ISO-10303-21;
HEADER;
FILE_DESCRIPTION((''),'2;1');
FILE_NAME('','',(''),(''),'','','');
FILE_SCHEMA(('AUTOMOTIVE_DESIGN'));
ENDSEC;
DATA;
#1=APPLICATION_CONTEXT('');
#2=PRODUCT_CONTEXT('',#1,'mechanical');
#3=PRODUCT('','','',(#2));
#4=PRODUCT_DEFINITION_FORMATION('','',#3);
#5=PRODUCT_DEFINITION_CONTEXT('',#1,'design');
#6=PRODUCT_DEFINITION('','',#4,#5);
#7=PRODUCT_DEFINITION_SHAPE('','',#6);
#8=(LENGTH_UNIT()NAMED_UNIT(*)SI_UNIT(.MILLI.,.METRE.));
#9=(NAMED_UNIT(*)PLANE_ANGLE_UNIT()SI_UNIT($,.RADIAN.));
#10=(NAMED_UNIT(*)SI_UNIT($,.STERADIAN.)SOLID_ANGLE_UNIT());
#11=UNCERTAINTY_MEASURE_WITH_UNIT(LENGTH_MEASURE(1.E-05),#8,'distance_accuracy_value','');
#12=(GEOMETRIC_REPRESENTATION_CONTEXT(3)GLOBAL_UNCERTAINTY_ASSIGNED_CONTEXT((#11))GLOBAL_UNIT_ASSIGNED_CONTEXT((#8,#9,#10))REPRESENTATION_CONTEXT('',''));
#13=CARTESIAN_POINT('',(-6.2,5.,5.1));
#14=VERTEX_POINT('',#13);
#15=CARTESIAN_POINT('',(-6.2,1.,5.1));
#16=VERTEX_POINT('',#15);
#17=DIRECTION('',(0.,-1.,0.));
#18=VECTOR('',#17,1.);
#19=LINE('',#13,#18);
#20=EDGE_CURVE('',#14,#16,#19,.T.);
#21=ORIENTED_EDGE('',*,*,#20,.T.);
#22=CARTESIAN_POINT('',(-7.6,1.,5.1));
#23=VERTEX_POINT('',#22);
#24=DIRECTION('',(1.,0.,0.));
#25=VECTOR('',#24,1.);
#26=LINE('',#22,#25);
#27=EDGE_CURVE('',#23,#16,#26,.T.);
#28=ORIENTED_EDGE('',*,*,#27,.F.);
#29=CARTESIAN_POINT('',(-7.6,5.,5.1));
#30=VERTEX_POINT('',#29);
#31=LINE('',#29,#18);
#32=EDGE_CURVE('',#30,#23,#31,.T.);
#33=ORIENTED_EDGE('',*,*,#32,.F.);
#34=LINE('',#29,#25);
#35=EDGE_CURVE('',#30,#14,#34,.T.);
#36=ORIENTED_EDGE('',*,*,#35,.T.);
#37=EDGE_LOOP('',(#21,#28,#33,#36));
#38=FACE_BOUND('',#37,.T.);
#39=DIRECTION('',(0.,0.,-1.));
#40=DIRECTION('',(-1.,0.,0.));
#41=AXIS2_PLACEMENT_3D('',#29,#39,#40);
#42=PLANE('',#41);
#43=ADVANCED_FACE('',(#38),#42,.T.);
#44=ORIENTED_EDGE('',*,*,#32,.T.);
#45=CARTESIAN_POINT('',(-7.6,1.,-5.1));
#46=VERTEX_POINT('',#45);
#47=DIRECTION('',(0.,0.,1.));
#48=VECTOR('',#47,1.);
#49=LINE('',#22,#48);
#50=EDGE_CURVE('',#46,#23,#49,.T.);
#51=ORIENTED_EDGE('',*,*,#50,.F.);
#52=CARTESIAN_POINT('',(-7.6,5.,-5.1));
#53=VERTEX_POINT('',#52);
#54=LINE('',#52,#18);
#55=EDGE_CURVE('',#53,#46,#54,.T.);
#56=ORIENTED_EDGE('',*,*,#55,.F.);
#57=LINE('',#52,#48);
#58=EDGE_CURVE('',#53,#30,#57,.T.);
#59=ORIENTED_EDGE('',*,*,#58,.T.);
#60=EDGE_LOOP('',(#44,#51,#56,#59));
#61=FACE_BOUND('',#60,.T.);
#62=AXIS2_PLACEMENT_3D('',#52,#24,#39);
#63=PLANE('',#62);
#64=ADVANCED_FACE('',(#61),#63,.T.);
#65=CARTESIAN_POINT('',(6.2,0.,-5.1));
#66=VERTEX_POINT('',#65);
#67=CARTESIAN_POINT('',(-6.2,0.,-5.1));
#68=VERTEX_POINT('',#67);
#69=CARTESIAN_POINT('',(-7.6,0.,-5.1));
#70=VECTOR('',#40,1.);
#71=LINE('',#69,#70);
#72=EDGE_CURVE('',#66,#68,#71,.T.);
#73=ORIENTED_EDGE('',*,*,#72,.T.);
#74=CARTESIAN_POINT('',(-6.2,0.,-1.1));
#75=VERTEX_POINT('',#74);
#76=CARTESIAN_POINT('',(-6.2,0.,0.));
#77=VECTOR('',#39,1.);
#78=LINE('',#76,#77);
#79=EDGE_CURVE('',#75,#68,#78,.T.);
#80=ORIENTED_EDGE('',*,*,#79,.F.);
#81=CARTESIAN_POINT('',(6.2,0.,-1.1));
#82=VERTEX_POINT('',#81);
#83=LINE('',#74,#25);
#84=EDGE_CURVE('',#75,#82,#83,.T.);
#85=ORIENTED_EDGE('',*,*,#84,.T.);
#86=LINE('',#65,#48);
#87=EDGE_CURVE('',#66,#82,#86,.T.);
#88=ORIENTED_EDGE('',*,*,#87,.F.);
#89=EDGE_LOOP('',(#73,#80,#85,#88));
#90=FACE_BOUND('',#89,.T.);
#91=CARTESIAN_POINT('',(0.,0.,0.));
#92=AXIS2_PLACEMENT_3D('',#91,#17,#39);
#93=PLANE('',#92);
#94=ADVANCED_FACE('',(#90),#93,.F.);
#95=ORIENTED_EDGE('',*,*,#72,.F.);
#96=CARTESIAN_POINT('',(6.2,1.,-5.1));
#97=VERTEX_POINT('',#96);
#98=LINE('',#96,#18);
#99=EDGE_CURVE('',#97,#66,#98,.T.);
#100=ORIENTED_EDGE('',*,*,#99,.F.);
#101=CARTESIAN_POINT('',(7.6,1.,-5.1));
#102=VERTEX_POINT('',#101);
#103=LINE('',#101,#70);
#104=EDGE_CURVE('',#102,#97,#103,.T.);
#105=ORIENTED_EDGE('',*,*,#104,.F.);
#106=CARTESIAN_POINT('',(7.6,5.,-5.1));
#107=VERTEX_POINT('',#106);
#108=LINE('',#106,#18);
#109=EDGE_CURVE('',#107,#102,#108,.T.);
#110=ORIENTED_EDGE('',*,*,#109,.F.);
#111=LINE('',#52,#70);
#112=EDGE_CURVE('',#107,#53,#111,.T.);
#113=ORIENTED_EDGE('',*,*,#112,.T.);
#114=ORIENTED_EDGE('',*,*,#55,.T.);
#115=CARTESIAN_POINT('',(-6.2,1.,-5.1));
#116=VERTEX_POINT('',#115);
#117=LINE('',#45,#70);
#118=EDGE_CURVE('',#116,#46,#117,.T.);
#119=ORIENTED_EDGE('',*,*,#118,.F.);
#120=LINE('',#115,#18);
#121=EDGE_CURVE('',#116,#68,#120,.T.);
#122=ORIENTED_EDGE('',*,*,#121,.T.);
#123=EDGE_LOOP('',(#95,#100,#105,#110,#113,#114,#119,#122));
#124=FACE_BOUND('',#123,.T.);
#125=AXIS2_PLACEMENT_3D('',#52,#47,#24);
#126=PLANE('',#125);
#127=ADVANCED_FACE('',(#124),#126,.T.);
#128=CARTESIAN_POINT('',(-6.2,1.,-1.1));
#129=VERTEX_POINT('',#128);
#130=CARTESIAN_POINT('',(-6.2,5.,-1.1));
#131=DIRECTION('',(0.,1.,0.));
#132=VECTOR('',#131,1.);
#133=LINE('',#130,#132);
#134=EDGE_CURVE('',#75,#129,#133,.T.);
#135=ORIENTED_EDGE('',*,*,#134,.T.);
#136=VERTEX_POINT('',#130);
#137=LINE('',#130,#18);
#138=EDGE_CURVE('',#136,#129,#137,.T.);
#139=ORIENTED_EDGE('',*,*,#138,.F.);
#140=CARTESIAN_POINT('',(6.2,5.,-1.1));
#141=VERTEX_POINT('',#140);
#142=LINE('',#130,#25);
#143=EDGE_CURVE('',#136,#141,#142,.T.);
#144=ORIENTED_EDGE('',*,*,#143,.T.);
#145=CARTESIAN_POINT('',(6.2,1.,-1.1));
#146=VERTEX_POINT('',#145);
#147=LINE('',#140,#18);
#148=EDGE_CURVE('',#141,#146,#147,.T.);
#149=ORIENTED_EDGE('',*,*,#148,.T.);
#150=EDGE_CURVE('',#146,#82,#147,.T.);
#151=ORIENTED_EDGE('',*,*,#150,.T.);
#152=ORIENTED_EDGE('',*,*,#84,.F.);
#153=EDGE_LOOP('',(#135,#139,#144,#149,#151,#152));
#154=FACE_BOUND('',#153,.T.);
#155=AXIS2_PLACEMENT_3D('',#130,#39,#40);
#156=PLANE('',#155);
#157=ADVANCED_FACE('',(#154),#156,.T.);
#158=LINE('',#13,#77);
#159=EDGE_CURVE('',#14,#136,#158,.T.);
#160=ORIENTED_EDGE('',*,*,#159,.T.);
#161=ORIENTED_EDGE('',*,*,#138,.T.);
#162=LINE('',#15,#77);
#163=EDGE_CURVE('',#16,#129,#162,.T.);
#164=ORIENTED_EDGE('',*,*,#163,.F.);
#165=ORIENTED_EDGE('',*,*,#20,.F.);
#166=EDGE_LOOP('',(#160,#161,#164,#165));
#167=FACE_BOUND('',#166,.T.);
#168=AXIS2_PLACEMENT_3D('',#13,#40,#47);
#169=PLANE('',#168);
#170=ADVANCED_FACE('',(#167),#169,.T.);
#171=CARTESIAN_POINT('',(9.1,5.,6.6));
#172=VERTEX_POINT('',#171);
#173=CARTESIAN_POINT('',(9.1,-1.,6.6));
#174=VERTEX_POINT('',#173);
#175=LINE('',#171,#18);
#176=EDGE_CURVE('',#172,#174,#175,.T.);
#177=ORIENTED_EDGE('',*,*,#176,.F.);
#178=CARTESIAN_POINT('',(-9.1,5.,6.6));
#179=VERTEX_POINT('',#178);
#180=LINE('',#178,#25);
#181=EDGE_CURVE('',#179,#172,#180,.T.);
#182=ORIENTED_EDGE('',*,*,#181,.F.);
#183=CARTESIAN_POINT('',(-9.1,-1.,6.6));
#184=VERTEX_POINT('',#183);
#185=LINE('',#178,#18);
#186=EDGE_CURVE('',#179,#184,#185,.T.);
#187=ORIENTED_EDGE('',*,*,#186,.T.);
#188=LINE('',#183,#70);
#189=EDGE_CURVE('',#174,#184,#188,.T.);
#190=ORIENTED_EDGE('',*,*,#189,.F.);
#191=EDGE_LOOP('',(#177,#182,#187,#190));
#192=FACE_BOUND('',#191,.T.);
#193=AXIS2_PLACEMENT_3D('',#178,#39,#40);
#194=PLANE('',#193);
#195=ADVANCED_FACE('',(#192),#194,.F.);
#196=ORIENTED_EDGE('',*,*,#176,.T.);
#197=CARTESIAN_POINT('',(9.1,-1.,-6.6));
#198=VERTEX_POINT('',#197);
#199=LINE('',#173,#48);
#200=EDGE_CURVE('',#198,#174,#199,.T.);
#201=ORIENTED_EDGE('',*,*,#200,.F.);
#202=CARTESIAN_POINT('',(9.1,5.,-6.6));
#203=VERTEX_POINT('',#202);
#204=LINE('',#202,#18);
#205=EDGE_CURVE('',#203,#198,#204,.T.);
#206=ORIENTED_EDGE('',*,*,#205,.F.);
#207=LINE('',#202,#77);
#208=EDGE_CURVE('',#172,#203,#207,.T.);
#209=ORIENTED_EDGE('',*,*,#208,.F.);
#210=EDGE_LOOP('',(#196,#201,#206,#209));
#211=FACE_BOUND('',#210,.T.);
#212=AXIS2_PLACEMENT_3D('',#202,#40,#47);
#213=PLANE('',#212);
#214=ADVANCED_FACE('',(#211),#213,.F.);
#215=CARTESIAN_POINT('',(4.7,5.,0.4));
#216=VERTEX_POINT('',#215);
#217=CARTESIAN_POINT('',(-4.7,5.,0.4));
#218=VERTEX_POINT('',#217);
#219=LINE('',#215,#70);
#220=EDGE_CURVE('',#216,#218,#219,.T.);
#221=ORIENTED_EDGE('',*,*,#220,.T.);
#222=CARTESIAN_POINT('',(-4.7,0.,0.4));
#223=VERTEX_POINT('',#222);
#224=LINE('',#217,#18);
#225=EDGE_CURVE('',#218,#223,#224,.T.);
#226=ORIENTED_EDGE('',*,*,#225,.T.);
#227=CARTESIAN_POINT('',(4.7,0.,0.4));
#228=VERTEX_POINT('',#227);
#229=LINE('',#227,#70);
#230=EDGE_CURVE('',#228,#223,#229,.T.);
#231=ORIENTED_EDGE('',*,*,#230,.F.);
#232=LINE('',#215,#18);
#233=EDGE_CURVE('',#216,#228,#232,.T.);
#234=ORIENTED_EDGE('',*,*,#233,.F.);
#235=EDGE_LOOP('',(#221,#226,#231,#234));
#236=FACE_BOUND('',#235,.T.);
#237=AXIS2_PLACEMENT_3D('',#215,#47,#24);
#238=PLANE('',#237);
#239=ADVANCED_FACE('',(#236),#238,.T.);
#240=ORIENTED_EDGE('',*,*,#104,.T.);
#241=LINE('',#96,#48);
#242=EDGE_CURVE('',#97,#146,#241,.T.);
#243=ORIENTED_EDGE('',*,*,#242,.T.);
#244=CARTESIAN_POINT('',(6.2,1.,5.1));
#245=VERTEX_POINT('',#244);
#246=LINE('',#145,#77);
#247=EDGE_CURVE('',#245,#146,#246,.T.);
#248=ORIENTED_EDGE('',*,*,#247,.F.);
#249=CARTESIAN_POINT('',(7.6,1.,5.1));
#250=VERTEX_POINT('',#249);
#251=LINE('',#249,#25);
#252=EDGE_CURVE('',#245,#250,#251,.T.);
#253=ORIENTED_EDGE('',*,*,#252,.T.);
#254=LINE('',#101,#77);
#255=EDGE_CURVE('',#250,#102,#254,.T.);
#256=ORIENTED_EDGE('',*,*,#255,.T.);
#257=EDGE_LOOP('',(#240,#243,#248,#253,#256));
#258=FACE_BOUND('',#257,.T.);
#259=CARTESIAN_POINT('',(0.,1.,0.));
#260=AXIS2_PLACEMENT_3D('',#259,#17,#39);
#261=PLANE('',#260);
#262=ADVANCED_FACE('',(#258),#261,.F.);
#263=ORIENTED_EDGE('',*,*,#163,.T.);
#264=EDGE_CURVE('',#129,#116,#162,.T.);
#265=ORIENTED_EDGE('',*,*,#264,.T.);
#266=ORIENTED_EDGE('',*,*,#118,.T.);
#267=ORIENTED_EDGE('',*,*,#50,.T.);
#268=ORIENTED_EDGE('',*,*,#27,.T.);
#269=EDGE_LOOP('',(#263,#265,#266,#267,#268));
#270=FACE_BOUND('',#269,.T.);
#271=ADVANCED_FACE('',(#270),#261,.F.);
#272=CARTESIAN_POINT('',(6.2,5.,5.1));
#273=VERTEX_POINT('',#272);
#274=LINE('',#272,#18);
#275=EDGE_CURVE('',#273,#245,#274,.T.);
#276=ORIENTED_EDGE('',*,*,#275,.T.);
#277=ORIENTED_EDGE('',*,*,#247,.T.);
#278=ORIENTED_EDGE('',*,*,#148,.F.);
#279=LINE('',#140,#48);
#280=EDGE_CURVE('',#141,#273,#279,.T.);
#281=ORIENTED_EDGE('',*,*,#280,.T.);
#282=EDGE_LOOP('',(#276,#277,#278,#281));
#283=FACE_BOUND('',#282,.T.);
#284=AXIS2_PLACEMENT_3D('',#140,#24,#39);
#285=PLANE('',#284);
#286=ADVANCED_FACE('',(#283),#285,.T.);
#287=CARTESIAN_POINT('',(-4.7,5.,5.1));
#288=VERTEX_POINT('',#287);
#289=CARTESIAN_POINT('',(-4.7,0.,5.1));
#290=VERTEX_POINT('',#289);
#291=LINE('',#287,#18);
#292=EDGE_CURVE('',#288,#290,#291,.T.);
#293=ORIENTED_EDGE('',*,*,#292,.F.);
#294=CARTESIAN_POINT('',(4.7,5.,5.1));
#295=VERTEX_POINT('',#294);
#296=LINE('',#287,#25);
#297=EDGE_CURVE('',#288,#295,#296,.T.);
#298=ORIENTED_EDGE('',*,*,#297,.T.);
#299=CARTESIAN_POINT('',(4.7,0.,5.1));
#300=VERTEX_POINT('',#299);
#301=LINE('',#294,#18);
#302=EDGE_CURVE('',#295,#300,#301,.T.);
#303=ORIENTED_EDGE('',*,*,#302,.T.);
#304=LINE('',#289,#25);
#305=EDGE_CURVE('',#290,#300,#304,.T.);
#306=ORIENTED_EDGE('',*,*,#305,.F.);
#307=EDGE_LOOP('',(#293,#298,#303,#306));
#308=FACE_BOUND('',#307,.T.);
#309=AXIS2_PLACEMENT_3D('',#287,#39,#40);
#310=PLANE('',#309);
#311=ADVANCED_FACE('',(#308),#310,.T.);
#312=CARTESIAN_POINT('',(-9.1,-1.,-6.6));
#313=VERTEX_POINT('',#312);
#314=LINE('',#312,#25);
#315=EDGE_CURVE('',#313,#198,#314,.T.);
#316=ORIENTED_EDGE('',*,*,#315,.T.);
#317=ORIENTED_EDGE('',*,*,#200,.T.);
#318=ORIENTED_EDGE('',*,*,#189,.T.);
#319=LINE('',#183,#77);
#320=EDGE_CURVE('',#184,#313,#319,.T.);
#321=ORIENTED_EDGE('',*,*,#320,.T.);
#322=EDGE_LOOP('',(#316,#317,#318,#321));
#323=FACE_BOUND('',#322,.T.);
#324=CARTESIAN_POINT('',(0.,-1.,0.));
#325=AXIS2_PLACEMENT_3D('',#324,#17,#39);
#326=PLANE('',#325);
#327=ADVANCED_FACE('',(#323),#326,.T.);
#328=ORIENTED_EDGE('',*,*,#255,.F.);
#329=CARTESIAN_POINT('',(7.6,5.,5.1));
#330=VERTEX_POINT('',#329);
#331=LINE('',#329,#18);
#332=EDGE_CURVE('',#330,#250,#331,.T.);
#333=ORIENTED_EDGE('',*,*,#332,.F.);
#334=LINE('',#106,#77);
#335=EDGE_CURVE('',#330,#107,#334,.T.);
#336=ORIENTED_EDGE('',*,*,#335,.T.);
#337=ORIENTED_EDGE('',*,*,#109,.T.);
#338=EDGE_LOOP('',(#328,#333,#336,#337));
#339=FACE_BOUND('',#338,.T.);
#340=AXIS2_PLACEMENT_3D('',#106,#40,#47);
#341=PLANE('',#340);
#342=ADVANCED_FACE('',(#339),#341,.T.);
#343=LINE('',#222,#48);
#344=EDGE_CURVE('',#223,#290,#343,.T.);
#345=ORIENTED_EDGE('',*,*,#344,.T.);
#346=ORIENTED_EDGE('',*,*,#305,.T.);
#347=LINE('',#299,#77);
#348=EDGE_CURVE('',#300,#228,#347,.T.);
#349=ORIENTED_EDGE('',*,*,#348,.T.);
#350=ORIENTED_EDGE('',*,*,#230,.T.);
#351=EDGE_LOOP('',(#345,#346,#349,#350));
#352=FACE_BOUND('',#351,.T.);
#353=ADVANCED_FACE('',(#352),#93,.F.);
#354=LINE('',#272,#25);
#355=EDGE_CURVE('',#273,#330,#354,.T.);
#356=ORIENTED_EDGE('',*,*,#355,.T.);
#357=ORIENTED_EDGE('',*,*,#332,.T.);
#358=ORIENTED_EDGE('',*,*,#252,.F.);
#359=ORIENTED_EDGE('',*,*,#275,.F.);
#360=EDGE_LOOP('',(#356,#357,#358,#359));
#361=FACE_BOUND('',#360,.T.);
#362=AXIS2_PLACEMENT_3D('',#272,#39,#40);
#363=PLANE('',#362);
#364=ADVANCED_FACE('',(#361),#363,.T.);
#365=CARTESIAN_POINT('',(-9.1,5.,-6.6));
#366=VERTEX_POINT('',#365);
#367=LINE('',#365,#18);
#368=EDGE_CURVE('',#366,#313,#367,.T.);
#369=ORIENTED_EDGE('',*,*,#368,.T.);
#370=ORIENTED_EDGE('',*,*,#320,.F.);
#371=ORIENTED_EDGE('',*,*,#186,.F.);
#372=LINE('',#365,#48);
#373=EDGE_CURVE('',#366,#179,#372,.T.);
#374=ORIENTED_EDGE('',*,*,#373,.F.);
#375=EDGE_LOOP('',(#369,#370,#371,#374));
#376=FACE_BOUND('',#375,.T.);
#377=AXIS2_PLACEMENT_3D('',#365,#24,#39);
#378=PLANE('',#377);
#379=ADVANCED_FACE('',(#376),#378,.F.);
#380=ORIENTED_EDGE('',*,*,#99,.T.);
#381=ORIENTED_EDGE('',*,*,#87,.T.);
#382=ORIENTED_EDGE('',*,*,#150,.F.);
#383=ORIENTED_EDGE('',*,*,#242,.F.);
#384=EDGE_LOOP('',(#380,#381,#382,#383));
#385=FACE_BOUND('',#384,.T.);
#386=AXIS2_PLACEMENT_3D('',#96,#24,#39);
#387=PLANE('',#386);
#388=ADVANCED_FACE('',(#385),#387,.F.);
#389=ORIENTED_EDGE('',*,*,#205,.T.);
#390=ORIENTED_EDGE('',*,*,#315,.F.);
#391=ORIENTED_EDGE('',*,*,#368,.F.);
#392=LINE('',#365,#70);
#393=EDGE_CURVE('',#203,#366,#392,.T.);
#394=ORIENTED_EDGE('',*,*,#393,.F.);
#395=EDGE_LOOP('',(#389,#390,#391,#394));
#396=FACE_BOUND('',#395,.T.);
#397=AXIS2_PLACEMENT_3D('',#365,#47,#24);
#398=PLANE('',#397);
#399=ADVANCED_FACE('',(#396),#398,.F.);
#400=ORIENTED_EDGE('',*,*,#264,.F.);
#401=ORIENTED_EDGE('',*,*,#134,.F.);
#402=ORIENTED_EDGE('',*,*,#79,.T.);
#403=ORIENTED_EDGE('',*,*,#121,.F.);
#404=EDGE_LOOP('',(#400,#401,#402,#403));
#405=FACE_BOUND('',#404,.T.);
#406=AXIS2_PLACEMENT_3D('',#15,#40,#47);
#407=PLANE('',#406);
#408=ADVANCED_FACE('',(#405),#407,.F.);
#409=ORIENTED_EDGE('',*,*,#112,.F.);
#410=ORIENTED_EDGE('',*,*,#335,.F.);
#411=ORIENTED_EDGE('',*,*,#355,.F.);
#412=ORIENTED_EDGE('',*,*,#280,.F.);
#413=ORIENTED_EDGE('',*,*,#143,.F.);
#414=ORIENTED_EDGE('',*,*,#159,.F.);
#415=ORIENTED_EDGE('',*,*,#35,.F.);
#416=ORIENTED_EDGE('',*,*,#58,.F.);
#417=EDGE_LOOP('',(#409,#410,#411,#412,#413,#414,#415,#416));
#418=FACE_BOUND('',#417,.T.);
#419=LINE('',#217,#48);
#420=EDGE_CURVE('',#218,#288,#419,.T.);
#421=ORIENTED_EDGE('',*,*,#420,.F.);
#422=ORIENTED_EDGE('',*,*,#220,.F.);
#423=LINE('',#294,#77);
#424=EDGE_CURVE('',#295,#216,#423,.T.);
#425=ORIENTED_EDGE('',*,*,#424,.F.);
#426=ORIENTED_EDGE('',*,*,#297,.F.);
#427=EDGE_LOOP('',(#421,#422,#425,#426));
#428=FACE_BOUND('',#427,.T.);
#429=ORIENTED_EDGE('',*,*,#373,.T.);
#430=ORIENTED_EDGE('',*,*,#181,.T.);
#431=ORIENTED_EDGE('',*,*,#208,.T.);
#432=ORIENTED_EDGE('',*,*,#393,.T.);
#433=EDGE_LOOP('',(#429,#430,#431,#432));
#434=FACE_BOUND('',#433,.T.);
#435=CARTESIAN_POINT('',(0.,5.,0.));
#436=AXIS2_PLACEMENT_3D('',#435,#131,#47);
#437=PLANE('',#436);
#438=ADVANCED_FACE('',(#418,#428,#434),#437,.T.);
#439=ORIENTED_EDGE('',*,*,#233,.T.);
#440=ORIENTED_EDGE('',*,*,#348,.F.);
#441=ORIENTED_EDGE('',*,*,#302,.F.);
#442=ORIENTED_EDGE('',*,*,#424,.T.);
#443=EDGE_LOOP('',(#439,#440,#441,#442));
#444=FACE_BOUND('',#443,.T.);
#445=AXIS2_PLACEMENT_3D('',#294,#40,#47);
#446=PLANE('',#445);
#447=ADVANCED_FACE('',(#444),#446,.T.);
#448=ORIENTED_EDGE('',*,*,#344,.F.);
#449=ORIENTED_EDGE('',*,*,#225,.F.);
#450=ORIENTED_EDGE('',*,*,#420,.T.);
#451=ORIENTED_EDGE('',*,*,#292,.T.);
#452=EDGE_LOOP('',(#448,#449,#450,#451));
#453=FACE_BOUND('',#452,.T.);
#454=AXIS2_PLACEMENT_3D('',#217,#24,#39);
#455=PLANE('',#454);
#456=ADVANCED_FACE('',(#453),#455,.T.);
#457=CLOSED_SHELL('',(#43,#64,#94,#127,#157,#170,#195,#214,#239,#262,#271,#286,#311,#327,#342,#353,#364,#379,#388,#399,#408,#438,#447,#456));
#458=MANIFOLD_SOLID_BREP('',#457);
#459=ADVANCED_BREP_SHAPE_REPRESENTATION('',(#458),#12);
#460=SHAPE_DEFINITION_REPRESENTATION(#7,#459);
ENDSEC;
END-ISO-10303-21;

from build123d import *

# Parameters (mm, degrees)
SKETCH_1_W      = 18.2
SKETCH_1_H      = 13.2
SKETCH_1_W_2    = 9.4
SKETCH_1_H_2    = 4.7
EXTRUDE_1_DEPTH = 5
SKETCH_6_W      = 18.2
SKETCH_6_H      = 13.2
EXTRUDE_4_DEPTH = 1
SKETCH_7_W      = 1.4
SKETCH_7_H      = 10.2
EXTRUDE_5_DEPTH = 1


with BuildPart() as part:
    # Эскиз1 → Бобышка-Вытянуть1 (new body)
    with BuildSketch(Plane(origin=(0, 0, 0), x_dir=(1, 0, 0), z_dir=(0, 1, 0))):
        Rectangle(SKETCH_1_W, SKETCH_1_H)
        Polygon((-6.2, -5.1), (-6.2, 1.1), (6.2, 1.1), (6.2, -5.1), (7.6, -5.1), (7.6, 5.1), (-7.6, 5.1), (-7.6, -5.1), align=None, mode=Mode.SUBTRACT)
        with Locations((0, -2.75)):
            Rectangle(SKETCH_1_W_2, SKETCH_1_H_2, mode=Mode.SUBTRACT)
    extrude(amount=EXTRUDE_1_DEPTH)

    # Эскиз6 → Бобышка-Вытянуть4 (add)
    with BuildSketch(Plane.XZ):
        Rectangle(SKETCH_6_W, SKETCH_6_H)
    extrude(amount=EXTRUDE_4_DEPTH)

    # Эскиз7 → Бобышка-Вытянуть5 (add)
    with BuildSketch(Plane(origin=(0, 0, 0), x_dir=(1, 0, 0), z_dir=(0, 1, 0))):
        with Locations((-6.9, 0)):
            Rectangle(SKETCH_7_W, SKETCH_7_H)
        with Locations((6.9, 0)):
            Rectangle(SKETCH_7_W, SKETCH_7_H)
    extrude(amount=EXTRUDE_5_DEPTH)


solid = part.part
